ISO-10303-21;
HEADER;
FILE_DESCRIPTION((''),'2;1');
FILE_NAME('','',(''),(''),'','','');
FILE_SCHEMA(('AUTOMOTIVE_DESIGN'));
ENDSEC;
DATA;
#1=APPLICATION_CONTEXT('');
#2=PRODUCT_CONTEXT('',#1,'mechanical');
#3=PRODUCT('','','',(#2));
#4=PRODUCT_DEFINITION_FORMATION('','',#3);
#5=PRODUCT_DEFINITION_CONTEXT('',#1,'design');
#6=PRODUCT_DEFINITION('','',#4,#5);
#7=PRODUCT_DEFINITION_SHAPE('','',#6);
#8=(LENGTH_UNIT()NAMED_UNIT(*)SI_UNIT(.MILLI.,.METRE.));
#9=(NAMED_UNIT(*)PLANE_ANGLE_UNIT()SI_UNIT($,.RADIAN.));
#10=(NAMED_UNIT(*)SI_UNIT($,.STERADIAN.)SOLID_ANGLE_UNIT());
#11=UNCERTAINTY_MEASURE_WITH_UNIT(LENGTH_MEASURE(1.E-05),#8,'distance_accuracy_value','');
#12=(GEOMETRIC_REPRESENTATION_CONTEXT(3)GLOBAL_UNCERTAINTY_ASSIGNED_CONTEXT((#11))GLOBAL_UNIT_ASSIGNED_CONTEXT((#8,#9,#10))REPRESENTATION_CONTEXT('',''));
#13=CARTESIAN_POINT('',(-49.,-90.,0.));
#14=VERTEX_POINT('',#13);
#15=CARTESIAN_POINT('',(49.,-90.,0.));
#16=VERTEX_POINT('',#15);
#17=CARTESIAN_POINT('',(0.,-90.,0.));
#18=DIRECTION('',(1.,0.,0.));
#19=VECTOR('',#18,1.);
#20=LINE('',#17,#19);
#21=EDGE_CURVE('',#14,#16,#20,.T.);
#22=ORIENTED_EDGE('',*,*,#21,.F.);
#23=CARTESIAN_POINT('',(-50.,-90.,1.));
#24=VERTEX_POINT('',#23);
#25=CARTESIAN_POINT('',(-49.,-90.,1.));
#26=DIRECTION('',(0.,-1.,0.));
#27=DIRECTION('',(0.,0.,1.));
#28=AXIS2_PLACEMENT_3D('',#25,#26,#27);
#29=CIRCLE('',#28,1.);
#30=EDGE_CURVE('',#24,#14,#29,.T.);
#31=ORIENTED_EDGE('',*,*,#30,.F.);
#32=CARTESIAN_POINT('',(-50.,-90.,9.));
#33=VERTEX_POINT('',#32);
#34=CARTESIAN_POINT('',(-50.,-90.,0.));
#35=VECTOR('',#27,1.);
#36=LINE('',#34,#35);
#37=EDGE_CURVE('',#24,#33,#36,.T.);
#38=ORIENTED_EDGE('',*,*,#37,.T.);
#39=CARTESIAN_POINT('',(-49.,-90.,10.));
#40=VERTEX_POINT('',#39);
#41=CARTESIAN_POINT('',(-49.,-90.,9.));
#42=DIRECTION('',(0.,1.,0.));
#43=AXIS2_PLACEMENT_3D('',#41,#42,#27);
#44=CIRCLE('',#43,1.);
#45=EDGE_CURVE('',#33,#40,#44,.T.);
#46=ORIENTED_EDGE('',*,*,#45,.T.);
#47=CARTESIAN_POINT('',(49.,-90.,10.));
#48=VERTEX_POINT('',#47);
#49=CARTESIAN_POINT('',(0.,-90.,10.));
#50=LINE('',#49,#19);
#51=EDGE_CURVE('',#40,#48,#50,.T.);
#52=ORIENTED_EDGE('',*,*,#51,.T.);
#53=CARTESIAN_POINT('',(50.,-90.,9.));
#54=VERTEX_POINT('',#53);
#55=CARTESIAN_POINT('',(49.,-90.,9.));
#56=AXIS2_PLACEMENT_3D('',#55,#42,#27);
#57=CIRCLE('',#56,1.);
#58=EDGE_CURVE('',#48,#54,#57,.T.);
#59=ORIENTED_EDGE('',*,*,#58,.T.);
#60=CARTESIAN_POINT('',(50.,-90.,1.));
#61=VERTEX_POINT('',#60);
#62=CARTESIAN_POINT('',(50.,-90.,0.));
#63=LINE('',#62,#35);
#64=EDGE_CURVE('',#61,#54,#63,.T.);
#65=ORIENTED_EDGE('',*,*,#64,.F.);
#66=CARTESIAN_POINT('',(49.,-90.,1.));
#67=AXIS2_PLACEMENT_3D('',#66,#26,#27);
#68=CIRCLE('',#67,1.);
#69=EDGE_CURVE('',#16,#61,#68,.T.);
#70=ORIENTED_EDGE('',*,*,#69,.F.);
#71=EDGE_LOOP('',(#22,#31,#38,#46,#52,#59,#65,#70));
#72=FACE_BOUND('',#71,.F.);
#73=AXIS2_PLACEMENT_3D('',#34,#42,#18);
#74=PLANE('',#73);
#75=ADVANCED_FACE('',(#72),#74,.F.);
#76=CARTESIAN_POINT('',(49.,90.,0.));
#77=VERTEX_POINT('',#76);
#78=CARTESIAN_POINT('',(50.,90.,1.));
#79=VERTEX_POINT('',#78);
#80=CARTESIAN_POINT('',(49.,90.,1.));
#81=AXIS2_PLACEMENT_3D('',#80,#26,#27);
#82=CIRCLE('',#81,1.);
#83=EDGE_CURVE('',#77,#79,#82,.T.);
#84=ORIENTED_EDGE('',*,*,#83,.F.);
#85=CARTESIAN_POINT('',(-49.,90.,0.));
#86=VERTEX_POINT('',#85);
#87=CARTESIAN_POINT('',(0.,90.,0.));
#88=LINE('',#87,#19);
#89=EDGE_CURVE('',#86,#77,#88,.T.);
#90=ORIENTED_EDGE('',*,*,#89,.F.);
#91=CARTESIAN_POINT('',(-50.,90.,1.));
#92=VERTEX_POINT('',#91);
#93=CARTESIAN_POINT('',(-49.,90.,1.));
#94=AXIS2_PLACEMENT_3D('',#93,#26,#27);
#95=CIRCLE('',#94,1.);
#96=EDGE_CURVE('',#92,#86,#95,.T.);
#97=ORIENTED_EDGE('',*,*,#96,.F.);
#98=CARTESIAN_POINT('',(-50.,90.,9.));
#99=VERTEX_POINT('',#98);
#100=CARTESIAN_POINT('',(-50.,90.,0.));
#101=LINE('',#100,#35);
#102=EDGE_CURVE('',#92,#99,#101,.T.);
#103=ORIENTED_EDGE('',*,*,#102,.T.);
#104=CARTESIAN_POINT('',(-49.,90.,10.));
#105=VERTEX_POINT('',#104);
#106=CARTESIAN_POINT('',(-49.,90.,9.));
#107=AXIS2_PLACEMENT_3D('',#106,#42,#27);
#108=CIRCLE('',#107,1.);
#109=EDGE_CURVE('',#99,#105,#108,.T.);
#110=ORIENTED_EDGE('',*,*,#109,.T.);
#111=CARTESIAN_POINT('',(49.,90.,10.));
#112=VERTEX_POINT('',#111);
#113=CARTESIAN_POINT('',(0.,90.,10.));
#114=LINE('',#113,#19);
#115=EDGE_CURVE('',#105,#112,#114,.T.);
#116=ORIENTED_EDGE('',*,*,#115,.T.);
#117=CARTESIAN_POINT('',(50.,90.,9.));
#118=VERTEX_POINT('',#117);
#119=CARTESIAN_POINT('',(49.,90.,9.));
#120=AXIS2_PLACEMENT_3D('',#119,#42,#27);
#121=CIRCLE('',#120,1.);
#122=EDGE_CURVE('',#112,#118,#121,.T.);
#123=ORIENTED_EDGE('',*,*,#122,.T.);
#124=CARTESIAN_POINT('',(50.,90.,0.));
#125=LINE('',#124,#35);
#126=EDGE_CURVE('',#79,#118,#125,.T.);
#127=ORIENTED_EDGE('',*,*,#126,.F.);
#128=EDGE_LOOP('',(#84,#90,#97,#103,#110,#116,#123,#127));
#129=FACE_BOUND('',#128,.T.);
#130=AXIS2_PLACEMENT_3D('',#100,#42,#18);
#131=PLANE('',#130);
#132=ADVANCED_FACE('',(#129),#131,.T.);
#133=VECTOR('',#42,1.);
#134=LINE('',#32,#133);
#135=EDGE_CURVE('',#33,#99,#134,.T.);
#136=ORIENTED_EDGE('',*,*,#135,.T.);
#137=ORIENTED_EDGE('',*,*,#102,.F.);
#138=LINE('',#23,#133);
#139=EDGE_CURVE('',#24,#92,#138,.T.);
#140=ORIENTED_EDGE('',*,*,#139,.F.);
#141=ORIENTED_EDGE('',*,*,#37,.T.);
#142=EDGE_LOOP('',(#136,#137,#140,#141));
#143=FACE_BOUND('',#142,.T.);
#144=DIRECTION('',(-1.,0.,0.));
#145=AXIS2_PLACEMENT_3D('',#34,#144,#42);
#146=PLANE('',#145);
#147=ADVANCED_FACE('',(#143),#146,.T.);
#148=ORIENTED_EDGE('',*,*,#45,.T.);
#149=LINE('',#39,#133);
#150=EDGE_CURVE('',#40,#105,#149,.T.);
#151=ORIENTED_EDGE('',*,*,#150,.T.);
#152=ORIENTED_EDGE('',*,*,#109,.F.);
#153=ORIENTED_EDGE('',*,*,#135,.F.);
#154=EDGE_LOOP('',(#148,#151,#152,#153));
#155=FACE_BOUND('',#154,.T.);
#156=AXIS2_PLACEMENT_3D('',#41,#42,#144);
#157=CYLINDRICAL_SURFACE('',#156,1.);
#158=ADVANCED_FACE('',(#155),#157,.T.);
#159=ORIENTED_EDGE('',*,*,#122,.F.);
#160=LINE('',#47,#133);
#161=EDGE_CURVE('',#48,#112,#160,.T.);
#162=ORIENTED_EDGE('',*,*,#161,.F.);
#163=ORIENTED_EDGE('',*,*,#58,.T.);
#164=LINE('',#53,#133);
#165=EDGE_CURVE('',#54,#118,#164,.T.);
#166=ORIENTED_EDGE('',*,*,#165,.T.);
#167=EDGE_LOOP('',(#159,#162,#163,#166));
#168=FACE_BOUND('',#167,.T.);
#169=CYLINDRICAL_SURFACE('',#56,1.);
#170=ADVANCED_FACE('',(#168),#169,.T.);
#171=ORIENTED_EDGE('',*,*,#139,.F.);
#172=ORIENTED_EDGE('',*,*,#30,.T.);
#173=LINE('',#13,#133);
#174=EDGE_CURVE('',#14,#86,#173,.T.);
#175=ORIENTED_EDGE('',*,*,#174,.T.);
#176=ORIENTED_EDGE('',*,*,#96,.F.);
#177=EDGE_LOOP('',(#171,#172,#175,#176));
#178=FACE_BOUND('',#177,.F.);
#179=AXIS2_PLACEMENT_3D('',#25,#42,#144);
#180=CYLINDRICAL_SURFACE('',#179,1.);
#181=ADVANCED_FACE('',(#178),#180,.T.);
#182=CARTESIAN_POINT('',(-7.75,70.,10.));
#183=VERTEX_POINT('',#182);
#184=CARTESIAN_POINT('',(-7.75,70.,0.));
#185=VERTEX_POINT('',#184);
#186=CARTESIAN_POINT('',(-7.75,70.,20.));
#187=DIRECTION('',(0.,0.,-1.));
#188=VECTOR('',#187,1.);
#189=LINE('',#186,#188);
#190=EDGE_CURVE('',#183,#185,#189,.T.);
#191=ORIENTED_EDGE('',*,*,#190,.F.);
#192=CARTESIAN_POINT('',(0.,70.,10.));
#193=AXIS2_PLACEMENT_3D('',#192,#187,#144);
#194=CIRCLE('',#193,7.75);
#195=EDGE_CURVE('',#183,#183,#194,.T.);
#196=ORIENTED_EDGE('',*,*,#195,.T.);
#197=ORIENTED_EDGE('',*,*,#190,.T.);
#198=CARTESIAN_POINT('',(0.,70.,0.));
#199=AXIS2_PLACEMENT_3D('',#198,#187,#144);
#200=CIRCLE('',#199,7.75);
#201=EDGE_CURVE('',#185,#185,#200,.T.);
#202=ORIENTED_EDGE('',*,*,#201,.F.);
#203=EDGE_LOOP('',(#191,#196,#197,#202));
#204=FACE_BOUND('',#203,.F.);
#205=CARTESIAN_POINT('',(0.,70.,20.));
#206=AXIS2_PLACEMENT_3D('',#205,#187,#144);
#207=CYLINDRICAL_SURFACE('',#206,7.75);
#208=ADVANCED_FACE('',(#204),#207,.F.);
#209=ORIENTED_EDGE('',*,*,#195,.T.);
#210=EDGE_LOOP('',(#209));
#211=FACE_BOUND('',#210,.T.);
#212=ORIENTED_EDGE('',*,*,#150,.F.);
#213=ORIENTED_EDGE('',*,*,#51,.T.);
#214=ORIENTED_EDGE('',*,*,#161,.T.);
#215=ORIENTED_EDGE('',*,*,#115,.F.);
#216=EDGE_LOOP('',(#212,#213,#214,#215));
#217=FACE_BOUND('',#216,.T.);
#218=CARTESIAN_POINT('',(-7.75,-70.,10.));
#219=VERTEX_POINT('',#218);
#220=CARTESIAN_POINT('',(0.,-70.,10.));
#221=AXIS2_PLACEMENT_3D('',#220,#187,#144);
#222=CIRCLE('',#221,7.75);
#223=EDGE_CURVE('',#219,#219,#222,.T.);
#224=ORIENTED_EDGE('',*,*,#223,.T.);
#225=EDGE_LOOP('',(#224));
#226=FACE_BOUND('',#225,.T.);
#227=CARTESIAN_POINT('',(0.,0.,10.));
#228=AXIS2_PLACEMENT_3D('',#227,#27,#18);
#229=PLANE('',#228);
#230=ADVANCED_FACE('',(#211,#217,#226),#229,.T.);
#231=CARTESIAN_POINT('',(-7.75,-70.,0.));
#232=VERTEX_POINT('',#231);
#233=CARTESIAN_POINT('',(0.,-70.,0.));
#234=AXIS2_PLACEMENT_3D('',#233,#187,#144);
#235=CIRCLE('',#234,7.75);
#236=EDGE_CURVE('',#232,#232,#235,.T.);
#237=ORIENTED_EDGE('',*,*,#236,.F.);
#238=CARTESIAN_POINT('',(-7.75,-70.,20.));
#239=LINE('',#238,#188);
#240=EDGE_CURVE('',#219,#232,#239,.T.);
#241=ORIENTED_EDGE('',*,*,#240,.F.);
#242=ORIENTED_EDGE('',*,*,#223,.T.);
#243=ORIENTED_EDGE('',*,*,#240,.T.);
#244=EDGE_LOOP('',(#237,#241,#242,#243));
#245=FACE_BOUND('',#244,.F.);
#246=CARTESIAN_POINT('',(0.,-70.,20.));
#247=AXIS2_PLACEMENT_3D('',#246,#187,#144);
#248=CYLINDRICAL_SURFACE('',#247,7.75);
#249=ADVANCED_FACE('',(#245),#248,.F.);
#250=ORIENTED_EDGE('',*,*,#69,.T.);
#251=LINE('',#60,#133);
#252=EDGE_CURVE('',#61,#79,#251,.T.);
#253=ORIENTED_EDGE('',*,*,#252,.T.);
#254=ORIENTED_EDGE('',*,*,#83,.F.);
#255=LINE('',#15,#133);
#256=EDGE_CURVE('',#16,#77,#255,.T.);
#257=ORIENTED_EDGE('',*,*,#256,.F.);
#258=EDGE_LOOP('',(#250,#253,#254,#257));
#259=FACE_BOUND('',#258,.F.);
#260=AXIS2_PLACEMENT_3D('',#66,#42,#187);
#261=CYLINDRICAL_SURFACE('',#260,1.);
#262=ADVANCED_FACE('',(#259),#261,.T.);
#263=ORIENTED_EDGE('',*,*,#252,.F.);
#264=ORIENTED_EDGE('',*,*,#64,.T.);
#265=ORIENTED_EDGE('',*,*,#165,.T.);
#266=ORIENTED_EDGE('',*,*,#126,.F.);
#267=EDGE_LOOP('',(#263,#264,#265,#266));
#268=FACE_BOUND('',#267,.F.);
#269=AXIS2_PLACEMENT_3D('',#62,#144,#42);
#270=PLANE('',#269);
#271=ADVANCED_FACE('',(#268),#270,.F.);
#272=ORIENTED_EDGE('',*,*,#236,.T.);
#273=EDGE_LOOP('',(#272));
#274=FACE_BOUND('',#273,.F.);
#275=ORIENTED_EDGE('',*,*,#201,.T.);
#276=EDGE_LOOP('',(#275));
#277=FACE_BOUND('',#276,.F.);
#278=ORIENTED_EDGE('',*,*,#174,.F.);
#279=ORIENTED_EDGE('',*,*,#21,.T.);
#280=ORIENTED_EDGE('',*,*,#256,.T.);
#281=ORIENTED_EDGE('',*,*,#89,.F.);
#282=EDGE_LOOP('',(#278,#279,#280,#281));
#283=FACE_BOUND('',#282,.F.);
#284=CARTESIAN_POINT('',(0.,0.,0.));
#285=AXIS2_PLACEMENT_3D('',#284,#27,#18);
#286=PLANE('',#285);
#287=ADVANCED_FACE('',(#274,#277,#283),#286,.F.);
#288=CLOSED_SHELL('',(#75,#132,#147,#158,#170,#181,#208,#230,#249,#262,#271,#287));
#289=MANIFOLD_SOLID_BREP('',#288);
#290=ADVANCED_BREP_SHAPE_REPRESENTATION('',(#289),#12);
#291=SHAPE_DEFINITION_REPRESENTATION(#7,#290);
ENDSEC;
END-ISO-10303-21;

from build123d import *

# Parameters (mm, degrees)
ESQUISSE1_W               = 100
ESQUISSE1_H               = 180
BOSS_EXTRU_1_DEPTH        = 10
M14_CLEARANCE_HOLE1_D     = 15.5
M14_CLEARANCE_HOLE1_DEPTH = 10
FILLET1_R                 = 1


with BuildPart() as part:
    # Esquisse1 → Boss.-Extru.1 (new body)
    with BuildSketch(Plane.XY):
        Rectangle(ESQUISSE1_W, ESQUISSE1_H)
    extrude(amount=BOSS_EXTRU_1_DEPTH)

    # M14 Clearance Hole1
    with Locations(Plane.XY.offset(10)):
        with Locations((0, 70), (0, -70), (60, -70), (60, 70)):
            Hole(M14_CLEARANCE_HOLE1_D / 2, depth=M14_CLEARANCE_HOLE1_DEPTH)

    # Fillet1
    fillet1_edges = [part.edges().sort_by_distance(p)[0] for p in [
        (-50, 0, 10),
        (50, 0, 10),
        (-50, 0, 0),
        (50, 0, 0),
    ]]
    fillet(fillet1_edges, radius=FILLET1_R)


solid = part.part
